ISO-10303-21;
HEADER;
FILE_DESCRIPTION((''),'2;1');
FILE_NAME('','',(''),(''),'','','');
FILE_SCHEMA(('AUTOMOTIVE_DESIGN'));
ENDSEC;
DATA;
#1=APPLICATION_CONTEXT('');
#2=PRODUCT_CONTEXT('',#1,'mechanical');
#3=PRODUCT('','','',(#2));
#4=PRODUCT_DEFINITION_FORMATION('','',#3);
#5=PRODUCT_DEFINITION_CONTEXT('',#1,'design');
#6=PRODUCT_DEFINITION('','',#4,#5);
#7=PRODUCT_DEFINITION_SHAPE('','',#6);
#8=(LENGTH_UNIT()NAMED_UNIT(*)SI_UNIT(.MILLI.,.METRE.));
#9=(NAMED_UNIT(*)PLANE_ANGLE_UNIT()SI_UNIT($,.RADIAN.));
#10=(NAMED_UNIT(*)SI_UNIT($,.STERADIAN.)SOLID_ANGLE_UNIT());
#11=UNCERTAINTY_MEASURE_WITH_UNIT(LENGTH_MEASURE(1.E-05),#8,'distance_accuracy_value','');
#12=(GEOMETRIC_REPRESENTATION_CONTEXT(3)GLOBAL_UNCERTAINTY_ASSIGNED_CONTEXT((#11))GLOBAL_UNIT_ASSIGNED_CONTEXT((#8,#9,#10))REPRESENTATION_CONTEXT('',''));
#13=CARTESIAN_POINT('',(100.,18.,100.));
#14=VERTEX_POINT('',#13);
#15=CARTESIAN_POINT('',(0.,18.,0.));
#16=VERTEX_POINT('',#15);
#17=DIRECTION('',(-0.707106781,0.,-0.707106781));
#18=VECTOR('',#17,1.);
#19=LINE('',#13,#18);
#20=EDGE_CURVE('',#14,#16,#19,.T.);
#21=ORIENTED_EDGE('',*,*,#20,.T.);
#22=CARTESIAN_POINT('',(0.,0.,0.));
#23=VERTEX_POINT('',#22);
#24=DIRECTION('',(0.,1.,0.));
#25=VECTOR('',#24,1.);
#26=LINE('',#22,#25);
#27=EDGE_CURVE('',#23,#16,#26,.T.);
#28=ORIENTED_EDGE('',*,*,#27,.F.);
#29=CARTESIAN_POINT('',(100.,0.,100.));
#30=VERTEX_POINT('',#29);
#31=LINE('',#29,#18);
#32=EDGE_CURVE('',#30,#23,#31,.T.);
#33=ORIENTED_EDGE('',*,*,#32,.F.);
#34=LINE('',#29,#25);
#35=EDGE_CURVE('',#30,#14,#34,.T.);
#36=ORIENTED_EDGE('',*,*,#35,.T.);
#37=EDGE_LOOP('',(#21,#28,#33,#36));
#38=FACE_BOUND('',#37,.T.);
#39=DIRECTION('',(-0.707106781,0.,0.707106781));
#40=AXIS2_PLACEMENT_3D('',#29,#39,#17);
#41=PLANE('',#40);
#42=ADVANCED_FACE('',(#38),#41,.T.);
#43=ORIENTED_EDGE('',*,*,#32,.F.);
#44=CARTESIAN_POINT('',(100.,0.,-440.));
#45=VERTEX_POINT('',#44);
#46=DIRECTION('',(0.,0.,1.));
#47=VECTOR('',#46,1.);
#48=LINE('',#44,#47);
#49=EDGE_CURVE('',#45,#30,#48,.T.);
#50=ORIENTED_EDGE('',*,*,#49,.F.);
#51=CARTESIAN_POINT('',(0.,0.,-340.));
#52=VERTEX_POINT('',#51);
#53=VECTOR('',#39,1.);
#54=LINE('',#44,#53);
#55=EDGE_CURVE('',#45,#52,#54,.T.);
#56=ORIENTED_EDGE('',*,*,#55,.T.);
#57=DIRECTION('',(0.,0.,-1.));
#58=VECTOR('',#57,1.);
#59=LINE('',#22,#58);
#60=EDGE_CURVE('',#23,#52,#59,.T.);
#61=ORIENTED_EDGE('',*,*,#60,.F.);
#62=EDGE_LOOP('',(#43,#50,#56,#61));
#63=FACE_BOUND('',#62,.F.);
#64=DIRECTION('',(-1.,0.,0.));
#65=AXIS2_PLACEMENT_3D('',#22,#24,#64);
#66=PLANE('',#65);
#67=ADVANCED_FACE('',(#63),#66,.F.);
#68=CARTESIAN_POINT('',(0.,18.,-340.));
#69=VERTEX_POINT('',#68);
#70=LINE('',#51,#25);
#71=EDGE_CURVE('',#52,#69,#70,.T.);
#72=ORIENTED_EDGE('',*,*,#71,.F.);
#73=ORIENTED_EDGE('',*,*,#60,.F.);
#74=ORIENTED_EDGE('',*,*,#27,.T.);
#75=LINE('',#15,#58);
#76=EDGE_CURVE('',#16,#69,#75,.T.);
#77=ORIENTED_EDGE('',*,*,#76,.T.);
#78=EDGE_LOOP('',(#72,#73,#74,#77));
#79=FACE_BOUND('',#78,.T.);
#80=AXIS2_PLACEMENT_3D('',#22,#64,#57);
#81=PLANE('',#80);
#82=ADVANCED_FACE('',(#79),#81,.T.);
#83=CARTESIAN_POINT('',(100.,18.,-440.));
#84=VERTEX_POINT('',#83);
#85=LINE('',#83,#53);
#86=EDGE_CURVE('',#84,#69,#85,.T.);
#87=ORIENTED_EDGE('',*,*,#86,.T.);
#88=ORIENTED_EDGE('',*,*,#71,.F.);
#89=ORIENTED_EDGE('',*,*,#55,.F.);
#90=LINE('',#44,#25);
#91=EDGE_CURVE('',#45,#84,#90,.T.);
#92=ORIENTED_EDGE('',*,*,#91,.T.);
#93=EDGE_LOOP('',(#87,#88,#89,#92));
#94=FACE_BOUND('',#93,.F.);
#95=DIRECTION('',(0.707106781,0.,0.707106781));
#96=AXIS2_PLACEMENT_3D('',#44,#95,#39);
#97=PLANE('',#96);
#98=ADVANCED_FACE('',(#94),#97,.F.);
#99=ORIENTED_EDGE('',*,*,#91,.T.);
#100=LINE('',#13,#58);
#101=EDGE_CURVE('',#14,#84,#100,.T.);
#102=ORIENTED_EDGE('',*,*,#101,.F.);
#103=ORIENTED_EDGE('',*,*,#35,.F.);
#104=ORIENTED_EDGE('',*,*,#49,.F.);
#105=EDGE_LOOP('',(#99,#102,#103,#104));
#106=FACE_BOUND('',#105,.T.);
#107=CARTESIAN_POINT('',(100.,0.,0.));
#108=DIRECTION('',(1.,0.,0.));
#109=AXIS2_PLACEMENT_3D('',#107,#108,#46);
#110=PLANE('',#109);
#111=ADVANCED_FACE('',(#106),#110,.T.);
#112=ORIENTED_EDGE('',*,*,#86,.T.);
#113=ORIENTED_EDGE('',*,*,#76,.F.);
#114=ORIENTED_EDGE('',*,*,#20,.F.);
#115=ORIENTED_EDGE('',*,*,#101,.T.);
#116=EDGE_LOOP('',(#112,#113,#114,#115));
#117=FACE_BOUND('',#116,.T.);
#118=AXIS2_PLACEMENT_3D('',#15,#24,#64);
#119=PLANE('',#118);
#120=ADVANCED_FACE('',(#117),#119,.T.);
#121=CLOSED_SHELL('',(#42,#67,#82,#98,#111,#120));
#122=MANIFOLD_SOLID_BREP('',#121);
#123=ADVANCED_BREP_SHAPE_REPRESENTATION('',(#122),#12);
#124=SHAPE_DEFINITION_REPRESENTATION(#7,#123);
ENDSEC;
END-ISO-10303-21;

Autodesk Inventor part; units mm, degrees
ref_plane "YZ Plane" through (0, 0, 0) normal (1, 0, 0) x (0, 1, 0)
ref_plane "XZ Plane" through (0, 0, 0) normal (0, 1, 0) x (-1, 0, 0)
ref_plane "XY Plane" through (0, 0, 0) normal (0, 0, 1) x (1, 0, 0)
sketch "Sketch1" plane through (0, 0, 0) normal (0, 1, 0) x (-1, 0, 0)
  line L0 (0, 0) -> (0, -340)
  line L1 (0, 0) -> (-100, 0)
  line L2 (-100, 0) -> (-100, 100)
  line L3 (-100, 100) -> (0, 0)
  line L4 (0, -340) -> (-100, -340)
  line L5 (-100, -340) -> (-100, -440)
  line L6 (-100, -440) -> (0, -340)
  line L7 (-100, -340) -> (-100, 0)
  dimension "d0" = 340
  dimension "d1" = 100
  dimension "d2" = 100
  dimension "d3" = 100
  dimension "d4" = 100
extrude "Extrusion1" add sketch "Sketch1" along normal blind 18
properties part number "Fata_1"
